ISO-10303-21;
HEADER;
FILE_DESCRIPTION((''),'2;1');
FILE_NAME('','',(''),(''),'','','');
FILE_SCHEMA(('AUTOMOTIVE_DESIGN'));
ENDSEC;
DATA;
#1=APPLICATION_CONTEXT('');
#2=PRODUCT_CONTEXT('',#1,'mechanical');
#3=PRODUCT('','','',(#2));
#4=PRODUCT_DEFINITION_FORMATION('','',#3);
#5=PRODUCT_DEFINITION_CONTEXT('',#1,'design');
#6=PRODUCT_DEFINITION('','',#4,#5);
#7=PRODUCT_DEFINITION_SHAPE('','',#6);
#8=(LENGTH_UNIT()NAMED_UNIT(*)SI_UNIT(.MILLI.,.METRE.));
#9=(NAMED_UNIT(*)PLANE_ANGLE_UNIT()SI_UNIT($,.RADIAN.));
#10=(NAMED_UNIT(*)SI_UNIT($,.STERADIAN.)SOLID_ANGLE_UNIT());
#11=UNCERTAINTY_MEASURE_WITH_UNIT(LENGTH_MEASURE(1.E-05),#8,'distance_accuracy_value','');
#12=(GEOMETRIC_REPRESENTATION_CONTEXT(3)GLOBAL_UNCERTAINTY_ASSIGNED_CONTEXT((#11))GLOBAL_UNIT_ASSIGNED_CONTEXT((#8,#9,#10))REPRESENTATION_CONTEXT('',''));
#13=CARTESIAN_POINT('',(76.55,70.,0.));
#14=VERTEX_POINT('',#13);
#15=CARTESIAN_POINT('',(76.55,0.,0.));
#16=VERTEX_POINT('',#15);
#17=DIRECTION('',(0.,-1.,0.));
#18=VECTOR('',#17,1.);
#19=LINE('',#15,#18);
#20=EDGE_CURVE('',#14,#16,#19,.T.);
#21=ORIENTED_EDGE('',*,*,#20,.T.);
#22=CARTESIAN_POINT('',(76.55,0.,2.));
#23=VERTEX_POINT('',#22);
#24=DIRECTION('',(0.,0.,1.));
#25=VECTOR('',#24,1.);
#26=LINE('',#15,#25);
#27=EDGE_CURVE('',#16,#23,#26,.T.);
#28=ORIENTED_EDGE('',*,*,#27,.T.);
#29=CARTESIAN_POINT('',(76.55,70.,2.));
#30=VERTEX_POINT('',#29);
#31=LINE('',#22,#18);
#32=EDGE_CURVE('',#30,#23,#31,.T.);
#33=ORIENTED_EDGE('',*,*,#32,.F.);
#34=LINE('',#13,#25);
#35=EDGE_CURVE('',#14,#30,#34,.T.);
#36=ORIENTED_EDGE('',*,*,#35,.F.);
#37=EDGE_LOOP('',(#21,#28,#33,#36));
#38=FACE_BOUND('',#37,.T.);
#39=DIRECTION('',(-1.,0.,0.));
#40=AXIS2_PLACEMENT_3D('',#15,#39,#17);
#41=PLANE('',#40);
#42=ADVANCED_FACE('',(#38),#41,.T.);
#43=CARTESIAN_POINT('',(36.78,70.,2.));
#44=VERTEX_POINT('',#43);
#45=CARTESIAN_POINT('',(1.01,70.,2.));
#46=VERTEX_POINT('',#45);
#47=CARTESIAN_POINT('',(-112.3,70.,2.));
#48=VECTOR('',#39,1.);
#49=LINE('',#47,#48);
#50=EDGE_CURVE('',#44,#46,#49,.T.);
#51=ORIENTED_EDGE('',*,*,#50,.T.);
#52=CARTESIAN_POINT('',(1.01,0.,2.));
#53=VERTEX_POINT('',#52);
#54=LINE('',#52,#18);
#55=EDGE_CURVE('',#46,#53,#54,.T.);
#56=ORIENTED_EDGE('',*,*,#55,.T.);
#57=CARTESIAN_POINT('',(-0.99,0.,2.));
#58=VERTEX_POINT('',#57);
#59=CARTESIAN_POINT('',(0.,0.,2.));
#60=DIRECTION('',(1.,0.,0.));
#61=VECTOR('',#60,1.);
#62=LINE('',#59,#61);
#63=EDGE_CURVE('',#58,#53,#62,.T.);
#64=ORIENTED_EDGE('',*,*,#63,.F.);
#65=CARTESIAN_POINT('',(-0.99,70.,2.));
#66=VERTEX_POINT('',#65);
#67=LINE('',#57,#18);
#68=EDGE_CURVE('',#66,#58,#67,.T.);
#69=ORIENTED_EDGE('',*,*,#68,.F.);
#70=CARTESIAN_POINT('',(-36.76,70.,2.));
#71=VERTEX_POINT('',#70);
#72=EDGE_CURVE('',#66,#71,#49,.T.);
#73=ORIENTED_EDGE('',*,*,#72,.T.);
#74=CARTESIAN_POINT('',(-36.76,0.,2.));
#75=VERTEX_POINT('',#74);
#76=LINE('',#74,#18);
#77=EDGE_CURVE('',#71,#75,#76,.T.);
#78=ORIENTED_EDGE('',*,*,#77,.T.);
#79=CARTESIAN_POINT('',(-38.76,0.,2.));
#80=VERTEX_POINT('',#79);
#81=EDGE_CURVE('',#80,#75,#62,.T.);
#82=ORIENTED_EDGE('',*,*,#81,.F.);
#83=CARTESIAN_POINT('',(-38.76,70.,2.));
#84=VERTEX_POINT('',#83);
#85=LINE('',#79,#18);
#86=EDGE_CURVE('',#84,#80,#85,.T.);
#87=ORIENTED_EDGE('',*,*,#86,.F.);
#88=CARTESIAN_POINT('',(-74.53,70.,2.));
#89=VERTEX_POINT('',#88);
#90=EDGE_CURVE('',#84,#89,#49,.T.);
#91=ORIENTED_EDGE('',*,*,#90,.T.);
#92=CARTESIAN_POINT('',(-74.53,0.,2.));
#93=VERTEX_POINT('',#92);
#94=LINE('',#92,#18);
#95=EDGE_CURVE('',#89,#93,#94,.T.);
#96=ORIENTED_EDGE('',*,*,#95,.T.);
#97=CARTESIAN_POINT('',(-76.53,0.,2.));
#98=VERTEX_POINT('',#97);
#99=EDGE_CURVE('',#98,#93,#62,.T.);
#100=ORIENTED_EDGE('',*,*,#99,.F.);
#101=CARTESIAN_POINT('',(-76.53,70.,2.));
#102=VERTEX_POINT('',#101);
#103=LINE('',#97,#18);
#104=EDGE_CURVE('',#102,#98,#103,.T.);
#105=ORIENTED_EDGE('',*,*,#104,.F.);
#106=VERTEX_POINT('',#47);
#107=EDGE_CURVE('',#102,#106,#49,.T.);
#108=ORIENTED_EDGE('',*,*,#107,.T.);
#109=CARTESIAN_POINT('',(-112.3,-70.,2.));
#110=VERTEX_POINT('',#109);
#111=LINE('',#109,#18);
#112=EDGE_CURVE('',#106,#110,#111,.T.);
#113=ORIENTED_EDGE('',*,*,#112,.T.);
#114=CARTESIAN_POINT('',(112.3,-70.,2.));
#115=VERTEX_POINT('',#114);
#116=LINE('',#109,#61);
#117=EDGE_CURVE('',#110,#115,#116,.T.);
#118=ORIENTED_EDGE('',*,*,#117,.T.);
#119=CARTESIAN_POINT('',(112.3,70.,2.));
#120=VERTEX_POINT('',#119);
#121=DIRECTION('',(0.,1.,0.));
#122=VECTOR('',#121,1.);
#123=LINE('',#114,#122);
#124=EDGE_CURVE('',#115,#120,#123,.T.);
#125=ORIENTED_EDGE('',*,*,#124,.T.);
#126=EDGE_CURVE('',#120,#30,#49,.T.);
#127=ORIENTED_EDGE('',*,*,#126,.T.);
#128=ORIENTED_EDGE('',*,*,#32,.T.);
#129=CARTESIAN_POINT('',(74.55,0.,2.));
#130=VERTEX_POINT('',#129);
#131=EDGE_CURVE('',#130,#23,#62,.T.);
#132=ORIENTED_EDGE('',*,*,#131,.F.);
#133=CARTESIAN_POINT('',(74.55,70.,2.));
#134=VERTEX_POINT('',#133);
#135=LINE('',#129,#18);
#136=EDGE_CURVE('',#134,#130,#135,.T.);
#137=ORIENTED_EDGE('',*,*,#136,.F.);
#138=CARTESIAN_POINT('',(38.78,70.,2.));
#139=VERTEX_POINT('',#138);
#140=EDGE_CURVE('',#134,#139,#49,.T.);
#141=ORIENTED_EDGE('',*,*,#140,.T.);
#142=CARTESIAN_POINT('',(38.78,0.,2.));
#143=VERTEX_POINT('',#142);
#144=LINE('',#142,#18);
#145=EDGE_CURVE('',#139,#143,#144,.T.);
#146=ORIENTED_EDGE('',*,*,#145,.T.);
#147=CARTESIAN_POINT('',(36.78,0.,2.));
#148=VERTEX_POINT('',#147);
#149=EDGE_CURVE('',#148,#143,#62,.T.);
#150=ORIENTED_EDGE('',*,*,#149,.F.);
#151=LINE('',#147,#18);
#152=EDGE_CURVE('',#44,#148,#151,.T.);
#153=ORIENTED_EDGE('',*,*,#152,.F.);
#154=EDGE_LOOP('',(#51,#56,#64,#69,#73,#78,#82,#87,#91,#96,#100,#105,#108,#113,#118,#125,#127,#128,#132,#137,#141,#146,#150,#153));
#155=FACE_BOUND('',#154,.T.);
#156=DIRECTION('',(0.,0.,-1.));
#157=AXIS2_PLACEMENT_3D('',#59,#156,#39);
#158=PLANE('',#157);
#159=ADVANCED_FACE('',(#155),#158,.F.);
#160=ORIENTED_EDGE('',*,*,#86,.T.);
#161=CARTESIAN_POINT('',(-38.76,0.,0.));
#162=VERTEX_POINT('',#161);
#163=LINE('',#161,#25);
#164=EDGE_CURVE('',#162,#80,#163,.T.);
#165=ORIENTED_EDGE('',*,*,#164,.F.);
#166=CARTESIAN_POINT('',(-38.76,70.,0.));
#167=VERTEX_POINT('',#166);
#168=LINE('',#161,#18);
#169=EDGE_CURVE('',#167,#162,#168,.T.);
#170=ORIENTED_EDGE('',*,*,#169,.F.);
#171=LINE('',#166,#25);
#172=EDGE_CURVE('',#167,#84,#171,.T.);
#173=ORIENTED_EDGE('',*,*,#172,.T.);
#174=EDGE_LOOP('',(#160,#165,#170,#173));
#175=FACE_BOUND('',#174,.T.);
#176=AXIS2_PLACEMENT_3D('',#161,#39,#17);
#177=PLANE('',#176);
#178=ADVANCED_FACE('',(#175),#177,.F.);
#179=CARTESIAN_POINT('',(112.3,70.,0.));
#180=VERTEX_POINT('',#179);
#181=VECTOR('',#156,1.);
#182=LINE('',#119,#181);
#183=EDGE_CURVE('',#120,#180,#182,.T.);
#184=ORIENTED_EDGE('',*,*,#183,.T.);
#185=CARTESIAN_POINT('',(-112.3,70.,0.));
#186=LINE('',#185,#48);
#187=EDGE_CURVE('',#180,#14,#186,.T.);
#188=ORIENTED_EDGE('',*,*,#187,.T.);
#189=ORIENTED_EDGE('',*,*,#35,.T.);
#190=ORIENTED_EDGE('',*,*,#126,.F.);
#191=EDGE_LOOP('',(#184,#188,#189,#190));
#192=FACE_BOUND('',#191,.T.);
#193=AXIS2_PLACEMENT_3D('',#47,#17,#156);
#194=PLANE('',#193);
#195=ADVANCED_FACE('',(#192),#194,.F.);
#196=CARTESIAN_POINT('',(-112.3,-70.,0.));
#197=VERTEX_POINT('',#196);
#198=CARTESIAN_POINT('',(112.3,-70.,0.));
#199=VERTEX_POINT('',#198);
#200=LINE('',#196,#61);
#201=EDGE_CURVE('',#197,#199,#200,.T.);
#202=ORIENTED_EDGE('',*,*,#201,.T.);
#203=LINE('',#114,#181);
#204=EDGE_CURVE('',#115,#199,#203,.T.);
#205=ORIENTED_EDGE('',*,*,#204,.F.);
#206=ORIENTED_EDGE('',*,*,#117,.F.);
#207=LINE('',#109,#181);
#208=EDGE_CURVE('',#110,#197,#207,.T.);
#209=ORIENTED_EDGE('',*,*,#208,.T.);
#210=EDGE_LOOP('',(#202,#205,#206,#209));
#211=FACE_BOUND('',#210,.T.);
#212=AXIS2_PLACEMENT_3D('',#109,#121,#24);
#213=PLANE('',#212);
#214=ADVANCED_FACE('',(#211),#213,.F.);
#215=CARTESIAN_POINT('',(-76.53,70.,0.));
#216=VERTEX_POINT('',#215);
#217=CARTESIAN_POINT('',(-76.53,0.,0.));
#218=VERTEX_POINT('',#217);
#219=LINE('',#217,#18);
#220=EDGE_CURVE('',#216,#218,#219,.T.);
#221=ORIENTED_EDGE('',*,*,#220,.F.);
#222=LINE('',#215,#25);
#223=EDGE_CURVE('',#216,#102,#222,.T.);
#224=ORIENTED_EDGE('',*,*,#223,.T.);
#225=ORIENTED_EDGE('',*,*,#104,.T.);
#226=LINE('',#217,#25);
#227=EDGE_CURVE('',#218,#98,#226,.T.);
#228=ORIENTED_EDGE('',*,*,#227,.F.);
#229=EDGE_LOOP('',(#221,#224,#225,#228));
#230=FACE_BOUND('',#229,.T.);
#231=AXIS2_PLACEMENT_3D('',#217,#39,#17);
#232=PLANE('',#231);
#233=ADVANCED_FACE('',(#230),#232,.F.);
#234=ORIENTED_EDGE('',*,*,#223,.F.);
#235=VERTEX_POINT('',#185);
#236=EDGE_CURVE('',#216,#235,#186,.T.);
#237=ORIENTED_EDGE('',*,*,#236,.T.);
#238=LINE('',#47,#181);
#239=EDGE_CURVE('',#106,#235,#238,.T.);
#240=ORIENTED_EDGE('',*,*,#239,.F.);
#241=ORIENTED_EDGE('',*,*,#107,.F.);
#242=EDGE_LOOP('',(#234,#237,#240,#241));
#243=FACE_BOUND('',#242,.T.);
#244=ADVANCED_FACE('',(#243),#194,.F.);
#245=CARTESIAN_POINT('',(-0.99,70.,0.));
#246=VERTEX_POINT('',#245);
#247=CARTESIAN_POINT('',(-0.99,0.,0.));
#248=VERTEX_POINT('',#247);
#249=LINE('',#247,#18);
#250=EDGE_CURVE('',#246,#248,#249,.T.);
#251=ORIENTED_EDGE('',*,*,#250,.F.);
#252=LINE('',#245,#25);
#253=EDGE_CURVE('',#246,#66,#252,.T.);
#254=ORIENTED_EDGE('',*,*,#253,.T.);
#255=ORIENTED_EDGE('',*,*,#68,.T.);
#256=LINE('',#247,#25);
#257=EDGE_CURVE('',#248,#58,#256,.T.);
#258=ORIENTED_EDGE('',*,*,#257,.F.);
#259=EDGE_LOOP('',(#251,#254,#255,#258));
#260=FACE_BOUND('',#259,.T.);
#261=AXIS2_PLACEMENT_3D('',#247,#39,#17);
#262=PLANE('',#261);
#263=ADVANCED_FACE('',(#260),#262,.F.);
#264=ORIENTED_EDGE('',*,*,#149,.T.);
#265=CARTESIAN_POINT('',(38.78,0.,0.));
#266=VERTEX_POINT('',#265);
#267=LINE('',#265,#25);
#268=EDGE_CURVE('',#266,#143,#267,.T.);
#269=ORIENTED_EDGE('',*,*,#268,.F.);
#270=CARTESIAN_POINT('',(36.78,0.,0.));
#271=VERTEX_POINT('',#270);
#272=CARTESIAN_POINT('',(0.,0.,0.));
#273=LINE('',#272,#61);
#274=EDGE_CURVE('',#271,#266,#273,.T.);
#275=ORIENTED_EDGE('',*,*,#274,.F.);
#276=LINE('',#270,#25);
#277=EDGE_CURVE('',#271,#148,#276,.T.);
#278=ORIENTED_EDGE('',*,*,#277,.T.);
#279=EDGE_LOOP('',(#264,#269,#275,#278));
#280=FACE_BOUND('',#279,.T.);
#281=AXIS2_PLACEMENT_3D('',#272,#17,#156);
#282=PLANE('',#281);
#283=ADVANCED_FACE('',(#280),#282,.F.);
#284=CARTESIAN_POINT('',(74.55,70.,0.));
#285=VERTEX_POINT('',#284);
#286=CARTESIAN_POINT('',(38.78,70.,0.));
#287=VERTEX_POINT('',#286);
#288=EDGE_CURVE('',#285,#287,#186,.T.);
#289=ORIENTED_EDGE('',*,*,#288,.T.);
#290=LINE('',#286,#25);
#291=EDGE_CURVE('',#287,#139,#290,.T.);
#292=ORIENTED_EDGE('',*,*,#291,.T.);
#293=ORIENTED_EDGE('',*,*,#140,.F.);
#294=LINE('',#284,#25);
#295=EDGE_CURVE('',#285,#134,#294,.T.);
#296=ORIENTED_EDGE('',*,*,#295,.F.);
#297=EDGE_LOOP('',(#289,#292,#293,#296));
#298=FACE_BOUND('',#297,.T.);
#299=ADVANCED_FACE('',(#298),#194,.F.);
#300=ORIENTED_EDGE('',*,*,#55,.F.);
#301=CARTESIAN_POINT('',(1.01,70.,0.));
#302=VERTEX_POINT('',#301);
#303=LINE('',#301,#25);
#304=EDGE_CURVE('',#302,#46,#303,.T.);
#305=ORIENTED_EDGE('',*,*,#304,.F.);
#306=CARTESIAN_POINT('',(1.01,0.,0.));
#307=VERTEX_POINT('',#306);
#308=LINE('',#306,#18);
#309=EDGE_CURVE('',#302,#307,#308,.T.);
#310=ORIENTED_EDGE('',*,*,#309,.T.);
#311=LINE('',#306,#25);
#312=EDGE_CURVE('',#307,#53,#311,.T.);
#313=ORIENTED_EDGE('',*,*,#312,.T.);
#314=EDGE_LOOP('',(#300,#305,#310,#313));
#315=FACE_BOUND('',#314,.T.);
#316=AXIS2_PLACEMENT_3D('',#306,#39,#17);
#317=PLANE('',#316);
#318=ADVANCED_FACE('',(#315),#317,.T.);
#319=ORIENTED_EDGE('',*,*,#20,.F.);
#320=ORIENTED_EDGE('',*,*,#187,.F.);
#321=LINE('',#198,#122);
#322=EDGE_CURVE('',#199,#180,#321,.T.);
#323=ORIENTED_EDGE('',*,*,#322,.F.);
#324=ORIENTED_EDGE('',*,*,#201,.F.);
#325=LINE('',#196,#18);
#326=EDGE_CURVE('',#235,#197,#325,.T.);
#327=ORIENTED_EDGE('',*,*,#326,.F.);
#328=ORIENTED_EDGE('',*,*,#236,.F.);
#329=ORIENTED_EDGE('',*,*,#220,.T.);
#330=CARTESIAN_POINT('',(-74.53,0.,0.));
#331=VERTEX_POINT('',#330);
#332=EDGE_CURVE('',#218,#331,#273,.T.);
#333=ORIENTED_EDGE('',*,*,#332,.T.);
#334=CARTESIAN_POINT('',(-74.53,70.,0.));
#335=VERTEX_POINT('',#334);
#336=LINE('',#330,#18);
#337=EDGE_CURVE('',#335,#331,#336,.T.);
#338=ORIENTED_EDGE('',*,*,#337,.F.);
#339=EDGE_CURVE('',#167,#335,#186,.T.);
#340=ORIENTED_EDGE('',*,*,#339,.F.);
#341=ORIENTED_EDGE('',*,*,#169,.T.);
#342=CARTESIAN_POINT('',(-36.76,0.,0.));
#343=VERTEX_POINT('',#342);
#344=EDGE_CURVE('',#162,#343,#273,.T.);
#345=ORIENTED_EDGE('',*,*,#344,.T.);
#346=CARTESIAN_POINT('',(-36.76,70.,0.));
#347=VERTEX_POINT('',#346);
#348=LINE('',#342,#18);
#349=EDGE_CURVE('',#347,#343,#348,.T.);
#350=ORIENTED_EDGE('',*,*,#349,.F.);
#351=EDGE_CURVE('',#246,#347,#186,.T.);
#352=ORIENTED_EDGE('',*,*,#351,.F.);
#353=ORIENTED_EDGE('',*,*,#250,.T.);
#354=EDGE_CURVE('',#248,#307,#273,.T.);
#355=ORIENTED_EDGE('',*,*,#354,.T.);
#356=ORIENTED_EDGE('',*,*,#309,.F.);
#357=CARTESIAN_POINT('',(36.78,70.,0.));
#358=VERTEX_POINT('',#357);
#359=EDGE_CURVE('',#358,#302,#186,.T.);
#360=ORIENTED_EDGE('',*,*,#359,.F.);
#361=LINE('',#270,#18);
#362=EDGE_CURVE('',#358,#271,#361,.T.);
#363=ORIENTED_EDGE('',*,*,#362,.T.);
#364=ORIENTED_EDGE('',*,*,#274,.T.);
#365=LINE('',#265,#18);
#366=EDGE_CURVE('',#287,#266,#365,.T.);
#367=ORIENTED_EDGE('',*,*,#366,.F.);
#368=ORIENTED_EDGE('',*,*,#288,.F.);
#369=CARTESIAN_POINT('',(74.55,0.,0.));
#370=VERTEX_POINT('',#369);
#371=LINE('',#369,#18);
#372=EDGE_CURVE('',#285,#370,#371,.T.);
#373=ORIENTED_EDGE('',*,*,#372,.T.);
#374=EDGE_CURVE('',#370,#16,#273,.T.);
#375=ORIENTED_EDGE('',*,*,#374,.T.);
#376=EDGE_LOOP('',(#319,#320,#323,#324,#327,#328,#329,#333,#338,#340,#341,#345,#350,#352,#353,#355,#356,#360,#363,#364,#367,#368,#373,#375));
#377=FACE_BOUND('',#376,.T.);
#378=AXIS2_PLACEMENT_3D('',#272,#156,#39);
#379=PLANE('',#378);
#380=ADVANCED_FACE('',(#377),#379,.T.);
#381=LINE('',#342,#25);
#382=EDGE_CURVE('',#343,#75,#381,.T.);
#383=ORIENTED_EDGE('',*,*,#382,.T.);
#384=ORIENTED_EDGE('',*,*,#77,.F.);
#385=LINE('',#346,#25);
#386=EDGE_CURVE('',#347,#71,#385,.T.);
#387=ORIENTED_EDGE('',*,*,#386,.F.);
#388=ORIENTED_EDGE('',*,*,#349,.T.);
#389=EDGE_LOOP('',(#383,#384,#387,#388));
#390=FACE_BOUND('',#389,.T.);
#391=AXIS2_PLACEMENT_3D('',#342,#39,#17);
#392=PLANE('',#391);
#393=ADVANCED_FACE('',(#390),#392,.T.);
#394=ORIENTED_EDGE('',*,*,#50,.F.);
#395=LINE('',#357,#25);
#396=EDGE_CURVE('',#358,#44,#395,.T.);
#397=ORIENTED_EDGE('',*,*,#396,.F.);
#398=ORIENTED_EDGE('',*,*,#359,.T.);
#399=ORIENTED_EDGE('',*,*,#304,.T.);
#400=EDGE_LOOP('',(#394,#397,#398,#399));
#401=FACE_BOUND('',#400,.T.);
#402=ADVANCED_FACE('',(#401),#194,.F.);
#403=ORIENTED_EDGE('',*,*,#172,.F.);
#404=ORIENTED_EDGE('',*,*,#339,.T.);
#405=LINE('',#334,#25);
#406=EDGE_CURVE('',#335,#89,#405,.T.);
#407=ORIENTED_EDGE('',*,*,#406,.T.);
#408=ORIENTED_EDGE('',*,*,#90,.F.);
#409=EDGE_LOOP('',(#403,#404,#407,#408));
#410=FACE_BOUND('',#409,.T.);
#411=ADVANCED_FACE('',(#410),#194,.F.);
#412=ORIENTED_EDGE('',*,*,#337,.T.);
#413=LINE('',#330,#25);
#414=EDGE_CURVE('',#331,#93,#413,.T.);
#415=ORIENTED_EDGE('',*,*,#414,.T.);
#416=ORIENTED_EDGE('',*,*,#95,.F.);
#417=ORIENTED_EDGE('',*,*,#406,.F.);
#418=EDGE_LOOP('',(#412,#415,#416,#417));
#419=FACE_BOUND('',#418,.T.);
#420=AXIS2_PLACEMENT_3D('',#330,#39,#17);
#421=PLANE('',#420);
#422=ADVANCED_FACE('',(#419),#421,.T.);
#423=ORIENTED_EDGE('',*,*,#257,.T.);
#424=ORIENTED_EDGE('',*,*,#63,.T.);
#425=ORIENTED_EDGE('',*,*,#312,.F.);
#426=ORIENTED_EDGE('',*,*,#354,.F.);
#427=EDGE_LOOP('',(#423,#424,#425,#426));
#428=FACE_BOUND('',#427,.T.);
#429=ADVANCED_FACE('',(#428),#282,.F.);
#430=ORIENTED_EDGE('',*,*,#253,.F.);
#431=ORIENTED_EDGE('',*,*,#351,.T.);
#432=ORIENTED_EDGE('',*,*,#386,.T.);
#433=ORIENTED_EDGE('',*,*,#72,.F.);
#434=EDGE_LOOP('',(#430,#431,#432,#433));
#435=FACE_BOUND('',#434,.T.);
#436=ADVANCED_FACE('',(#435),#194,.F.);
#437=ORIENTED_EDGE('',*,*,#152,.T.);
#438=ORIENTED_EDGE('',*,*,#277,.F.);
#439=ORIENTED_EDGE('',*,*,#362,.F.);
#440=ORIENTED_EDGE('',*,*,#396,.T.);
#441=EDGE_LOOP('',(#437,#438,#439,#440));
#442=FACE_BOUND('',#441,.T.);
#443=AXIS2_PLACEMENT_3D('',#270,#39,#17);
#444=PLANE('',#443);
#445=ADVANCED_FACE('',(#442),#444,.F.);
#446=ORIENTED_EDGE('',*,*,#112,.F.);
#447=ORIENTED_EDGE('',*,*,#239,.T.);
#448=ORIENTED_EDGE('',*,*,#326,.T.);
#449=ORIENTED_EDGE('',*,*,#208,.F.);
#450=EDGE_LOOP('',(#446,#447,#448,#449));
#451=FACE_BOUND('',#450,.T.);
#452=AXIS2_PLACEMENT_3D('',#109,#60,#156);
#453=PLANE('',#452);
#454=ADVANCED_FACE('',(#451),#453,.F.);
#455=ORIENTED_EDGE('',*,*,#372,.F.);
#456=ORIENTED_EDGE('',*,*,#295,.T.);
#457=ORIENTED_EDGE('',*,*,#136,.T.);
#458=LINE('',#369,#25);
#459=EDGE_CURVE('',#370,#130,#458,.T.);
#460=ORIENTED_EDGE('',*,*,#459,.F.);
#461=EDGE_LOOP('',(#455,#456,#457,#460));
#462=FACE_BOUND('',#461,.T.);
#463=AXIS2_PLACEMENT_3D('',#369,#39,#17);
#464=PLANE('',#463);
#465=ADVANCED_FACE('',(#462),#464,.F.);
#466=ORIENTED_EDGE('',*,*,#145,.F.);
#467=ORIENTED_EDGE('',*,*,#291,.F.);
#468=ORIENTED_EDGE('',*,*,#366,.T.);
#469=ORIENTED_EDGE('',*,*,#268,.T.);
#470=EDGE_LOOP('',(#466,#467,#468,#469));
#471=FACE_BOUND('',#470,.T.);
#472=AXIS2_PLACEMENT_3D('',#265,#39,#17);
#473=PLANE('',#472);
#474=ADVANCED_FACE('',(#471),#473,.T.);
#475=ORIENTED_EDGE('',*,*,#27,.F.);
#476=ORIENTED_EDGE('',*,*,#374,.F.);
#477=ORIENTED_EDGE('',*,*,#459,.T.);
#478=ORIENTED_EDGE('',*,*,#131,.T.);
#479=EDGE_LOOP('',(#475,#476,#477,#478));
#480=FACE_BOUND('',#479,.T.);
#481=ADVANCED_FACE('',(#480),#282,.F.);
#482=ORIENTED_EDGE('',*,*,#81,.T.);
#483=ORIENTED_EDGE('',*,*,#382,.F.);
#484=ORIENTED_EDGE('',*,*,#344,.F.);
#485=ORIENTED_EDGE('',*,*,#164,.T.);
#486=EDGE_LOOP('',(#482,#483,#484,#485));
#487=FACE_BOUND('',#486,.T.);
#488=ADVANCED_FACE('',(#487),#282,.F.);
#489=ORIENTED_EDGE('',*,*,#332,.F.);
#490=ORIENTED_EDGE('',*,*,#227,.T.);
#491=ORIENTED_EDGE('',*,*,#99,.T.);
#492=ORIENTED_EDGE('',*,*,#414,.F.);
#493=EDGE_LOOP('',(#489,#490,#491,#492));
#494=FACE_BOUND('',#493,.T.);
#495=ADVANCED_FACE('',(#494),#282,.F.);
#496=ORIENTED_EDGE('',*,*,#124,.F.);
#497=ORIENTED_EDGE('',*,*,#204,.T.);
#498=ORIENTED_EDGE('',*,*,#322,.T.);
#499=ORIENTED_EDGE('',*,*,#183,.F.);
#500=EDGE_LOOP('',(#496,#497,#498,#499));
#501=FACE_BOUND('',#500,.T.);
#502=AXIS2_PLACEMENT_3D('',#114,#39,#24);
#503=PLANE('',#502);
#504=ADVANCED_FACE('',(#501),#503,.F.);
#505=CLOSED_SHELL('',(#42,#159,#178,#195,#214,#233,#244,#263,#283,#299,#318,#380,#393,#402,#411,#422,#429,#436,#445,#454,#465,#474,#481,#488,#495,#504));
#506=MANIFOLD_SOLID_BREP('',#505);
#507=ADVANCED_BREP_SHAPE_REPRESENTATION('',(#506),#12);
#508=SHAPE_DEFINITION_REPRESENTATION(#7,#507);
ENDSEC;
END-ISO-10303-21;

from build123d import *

# Parameters (mm, degrees)
SKETCH1_W           = 224.6
SKETCH1_H           = 140
BOSS_EXTRUDE1_DEPTH = 2
SKETCH2_W           = 2
SKETCH2_H           = 70
CUT_EXTRUDE3_DEPTH  = 133.345343704


with BuildPart() as part:
    # Sketch1 → Boss-Extrude1 (new body)
    with BuildSketch(Plane.XY):
        Rectangle(SKETCH1_W, SKETCH1_H)
    extrude(amount=BOSS_EXTRUDE1_DEPTH)

    # Sketch2 → Cut-Extrude3 (cut, through all)
    with BuildSketch(Plane.XY.offset(2)):
        with Locations((-75.53, 35)):
            Rectangle(SKETCH2_W, SKETCH2_H)
        with Locations((-37.76, 35)):
            Rectangle(SKETCH2_W, SKETCH2_H)
        with Locations((0.01, 35)):
            Rectangle(SKETCH2_W, SKETCH2_H)
        with Locations((75.55, 35)):
            Rectangle(SKETCH2_W, SKETCH2_H)
        with Locations((37.78, 35)):
            Rectangle(SKETCH2_W, SKETCH2_H)
    extrude(amount=-CUT_EXTRUDE3_DEPTH, mode=Mode.SUBTRACT)


solid = part.part
